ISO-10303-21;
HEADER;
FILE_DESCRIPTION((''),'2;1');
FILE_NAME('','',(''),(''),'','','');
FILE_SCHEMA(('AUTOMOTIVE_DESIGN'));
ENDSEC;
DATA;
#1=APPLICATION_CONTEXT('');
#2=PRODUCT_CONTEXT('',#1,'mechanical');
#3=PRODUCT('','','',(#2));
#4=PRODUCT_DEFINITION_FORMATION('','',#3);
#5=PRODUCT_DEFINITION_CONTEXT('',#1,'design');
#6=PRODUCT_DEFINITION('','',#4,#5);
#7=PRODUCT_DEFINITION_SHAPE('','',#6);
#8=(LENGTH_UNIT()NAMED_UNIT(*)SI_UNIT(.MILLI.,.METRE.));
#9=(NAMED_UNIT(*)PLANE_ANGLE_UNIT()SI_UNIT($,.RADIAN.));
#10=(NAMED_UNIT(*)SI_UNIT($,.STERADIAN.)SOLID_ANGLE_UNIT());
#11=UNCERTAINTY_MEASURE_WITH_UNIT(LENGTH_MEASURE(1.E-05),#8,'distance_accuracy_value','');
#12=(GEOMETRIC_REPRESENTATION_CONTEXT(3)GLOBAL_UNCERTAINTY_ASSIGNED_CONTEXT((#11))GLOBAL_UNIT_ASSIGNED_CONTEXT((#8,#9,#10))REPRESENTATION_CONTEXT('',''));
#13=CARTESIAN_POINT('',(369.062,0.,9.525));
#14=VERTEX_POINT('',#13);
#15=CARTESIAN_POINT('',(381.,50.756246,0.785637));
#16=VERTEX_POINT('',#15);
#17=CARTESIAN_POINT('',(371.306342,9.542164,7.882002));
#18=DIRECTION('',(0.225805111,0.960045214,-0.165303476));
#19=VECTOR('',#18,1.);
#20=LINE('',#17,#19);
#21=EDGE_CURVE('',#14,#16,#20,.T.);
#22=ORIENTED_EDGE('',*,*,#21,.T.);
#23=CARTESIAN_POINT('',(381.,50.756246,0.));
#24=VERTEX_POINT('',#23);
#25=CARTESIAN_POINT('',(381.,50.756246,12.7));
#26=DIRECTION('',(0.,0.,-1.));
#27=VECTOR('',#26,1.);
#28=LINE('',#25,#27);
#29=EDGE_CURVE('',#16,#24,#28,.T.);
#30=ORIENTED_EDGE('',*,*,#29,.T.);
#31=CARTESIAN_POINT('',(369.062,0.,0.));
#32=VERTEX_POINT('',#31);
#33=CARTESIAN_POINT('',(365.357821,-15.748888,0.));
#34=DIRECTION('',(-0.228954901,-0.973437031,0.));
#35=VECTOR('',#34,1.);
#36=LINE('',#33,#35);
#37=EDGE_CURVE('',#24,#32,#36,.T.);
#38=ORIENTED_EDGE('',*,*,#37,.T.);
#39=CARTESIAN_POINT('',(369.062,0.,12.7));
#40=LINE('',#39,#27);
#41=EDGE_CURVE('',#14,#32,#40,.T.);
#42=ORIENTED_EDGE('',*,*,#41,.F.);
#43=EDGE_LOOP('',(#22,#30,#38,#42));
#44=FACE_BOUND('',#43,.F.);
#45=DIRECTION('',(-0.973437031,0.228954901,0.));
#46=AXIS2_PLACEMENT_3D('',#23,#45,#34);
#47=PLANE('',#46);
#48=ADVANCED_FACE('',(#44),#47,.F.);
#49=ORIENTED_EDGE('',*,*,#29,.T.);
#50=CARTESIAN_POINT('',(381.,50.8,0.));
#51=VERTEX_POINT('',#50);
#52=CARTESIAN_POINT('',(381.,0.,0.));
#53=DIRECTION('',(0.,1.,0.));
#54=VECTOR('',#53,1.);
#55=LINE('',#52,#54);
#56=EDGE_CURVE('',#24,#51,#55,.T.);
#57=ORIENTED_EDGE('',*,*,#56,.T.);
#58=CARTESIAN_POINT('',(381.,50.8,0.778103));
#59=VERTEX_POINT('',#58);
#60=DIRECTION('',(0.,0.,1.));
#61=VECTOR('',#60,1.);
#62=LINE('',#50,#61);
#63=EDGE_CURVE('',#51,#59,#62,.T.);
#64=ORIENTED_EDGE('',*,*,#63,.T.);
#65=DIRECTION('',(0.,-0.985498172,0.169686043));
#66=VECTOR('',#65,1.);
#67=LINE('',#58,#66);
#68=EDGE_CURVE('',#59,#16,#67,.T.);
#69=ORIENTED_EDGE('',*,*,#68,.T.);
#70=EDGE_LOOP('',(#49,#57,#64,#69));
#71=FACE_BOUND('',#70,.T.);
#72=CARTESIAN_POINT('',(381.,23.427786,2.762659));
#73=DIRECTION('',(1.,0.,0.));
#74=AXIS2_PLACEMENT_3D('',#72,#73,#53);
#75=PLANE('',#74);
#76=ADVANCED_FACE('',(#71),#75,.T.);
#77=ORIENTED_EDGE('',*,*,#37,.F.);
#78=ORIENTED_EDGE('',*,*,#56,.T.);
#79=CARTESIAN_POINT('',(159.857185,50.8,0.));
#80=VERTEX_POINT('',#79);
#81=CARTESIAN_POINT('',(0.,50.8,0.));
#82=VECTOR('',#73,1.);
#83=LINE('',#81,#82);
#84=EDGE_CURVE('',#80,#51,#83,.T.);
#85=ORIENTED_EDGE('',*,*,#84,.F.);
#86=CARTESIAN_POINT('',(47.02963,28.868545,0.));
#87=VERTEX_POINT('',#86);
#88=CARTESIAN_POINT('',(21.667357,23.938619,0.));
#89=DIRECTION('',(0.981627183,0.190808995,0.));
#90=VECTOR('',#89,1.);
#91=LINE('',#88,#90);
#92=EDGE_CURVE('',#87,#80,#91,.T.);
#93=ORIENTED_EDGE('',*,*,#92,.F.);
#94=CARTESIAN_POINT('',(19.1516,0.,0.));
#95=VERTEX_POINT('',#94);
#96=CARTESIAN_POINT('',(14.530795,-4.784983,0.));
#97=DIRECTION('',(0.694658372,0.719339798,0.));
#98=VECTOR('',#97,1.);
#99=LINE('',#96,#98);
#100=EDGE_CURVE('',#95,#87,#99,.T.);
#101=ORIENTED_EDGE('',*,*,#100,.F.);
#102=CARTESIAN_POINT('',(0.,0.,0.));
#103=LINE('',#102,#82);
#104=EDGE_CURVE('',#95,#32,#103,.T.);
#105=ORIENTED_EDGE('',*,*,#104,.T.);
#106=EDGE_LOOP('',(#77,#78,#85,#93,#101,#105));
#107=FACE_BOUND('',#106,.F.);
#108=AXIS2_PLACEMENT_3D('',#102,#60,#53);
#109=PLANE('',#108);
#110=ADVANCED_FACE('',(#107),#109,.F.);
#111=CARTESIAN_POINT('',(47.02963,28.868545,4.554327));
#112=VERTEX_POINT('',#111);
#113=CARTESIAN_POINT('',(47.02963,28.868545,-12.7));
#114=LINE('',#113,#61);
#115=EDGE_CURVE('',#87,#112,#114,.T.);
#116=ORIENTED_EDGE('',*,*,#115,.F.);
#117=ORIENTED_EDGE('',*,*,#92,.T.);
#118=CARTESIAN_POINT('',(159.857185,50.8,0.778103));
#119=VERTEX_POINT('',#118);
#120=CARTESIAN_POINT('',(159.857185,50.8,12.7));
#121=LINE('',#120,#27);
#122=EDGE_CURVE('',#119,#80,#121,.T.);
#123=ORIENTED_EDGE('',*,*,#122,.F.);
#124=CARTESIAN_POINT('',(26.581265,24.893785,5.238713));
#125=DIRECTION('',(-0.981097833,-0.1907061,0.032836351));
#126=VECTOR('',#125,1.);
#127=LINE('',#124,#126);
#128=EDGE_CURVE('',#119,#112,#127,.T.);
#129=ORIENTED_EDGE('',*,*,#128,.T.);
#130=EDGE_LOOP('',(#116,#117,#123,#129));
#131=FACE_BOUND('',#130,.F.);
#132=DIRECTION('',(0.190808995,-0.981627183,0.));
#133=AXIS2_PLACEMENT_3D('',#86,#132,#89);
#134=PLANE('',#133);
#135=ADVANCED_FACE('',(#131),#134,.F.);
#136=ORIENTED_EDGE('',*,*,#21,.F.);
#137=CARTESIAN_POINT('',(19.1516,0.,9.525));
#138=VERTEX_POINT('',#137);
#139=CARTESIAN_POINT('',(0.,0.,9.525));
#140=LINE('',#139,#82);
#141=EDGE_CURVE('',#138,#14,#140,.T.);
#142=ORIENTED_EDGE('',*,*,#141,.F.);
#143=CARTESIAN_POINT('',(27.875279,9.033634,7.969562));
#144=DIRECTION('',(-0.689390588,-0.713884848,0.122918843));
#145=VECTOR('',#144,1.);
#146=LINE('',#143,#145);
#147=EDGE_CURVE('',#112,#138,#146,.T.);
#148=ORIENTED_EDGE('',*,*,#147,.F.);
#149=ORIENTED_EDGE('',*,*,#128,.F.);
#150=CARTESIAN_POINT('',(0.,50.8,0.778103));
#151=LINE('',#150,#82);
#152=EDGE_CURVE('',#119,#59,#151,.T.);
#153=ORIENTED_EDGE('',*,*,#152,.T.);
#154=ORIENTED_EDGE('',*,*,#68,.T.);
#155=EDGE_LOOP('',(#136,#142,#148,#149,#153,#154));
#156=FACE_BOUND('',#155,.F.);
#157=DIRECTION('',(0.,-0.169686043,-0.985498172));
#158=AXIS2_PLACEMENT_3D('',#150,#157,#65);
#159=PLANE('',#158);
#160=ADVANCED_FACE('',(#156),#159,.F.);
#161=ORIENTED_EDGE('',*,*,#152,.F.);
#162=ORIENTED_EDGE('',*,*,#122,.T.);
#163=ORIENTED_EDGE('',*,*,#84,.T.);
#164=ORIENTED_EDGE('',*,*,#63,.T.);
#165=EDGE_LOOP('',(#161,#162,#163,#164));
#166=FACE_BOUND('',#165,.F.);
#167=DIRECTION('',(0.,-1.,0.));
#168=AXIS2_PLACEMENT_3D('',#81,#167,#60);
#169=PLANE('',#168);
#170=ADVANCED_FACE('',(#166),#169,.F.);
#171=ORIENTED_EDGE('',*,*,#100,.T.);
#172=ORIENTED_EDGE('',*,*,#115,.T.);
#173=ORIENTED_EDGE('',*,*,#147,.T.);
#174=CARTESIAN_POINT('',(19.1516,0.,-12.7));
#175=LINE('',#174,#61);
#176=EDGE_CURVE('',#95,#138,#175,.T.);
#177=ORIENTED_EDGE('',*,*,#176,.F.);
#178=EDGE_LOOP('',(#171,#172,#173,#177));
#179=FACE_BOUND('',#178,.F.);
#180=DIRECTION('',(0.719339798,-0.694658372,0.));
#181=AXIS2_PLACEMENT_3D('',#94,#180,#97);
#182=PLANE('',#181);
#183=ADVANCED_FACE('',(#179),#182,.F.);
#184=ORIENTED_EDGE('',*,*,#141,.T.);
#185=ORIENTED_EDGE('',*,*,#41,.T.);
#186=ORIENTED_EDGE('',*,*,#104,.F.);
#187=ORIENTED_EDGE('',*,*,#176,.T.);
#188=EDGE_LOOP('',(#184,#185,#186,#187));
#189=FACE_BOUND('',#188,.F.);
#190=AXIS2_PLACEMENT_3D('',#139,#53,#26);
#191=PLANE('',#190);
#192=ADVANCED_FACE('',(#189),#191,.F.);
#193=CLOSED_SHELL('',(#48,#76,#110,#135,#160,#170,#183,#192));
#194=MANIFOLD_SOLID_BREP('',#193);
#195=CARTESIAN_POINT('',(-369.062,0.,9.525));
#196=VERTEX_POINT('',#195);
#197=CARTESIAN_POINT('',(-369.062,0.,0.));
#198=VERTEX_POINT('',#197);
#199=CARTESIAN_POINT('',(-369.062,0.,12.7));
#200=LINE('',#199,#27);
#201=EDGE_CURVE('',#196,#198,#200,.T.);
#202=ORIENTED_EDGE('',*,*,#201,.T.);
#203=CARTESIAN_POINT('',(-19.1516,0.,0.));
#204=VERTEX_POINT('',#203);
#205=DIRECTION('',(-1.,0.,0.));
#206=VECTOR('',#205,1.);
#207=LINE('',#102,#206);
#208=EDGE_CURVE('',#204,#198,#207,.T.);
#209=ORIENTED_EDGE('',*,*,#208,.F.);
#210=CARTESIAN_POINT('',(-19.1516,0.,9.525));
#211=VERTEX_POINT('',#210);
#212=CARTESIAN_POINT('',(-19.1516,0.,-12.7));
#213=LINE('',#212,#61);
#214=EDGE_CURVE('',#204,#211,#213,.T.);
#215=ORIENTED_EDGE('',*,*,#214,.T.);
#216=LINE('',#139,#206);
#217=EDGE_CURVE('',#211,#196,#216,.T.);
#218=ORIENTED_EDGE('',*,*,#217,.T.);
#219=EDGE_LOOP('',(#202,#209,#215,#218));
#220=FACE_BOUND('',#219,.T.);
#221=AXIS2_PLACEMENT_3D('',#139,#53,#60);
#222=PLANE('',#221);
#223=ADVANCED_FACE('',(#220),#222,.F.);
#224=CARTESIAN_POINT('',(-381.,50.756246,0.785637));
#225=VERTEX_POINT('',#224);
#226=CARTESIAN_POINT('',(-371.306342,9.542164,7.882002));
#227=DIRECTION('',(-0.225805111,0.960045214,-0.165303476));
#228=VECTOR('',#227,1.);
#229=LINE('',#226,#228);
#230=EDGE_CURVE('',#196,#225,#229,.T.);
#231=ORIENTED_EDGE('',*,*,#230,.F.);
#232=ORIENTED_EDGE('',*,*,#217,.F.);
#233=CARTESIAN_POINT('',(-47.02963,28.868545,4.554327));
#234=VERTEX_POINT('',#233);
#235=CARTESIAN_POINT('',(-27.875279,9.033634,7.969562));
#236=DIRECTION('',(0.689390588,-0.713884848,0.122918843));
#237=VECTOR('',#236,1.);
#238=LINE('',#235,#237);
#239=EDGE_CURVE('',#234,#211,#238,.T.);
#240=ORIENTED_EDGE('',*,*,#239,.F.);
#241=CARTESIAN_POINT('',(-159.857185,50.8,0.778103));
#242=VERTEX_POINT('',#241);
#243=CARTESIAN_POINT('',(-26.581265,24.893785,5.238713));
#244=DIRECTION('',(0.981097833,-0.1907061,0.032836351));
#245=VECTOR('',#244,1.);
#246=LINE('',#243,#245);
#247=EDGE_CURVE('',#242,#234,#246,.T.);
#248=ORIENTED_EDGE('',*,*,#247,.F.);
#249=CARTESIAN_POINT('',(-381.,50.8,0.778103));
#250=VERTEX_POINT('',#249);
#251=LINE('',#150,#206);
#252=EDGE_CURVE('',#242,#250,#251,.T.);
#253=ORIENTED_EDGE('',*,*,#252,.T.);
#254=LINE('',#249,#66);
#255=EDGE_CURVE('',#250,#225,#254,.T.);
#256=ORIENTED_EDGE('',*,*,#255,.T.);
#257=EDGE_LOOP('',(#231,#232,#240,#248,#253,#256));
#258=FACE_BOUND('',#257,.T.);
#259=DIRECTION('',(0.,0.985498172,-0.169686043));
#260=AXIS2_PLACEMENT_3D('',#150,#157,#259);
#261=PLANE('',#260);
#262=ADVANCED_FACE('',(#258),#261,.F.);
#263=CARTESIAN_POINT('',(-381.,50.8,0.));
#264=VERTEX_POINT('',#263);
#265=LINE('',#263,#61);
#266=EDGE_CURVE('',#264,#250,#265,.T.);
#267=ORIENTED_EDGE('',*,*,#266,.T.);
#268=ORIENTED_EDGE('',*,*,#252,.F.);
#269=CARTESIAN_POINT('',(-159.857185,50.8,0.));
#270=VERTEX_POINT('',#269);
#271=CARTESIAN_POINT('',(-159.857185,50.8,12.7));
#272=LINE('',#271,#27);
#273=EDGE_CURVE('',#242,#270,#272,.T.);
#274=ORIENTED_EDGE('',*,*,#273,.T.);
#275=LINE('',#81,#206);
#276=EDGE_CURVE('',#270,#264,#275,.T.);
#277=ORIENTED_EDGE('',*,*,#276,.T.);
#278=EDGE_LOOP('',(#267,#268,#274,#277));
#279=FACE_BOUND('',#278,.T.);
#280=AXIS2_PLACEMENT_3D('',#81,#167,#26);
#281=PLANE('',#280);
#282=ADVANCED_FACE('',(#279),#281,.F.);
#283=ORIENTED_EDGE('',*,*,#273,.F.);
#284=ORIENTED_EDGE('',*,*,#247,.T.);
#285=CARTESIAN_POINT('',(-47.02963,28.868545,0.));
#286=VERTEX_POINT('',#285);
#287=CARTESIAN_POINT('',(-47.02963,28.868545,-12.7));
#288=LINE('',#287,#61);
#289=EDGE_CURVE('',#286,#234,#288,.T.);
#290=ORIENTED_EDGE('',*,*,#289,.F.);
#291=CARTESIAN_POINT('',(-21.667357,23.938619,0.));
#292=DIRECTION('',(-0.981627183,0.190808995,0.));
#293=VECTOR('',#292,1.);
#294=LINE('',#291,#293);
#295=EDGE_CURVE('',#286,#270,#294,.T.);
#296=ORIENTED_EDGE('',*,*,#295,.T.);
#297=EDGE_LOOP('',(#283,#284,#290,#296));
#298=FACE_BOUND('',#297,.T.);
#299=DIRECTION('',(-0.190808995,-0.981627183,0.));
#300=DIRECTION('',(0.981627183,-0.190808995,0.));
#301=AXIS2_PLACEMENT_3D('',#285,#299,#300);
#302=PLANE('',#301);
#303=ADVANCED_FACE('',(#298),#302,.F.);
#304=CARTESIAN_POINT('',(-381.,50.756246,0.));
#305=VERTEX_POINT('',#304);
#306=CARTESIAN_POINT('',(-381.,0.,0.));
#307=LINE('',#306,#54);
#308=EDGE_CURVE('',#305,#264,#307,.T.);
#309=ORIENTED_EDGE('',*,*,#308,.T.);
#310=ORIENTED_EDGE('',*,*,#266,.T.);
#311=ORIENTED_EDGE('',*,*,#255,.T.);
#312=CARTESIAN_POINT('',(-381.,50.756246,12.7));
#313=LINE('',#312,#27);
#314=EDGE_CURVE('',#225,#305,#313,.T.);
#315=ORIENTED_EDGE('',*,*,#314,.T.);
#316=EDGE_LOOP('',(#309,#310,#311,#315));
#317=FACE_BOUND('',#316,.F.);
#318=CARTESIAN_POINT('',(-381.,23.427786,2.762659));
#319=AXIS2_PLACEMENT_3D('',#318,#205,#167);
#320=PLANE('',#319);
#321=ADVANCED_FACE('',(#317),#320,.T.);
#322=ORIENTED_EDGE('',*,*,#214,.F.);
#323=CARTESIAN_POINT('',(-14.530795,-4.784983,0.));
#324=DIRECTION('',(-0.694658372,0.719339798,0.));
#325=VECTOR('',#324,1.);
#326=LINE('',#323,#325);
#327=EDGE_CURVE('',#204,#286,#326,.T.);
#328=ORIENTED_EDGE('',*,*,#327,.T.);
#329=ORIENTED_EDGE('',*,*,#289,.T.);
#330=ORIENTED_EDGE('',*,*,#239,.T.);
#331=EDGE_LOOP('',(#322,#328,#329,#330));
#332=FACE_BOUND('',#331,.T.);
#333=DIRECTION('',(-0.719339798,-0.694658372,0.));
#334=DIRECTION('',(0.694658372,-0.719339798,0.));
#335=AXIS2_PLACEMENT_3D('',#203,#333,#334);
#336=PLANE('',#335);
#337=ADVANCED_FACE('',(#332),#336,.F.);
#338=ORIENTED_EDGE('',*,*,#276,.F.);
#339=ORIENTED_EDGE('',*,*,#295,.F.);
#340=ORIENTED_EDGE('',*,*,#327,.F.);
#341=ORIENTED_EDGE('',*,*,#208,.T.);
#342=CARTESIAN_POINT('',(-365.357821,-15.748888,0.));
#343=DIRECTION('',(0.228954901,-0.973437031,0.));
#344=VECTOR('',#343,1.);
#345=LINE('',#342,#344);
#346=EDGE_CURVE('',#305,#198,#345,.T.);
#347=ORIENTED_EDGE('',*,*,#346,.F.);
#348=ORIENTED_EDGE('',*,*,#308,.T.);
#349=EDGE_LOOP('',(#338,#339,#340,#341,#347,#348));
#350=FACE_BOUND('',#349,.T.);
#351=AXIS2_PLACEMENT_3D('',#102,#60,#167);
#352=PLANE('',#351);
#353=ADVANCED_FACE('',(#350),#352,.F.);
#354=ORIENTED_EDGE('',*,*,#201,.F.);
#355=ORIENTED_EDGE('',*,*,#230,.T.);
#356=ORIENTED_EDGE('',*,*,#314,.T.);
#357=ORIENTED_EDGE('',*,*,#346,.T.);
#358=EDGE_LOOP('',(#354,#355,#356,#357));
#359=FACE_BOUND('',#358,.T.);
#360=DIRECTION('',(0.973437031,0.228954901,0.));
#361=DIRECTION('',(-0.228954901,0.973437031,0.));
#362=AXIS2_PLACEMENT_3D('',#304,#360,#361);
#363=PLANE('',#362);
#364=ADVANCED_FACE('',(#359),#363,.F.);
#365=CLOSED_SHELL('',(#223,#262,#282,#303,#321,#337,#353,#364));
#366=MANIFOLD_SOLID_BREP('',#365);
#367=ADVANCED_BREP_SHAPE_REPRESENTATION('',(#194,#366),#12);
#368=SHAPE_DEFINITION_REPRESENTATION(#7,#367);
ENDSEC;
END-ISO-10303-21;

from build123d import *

# Parameters (mm, degrees)
F1_DEPTH = 381
F3_DEPTH = 12.7
F5_DEPTH = 12.7


with BuildPart() as f1:
    # F0 (on Right) → F1 (new body)
    with BuildSketch(Plane.YZ):
        Polygon((0, 9.525), (0, 0), (50.8, 0), (50.8, 0.778103), align=None)
    extrude(amount=F1_DEPTH)

    # F2 (on Top) → F3 (cut, symmetric)
    with BuildSketch(Plane.XY):
        Polygon((369.062, 0), (381, 0), (381, 50.756246), align=None)
    extrude(amount=F3_DEPTH, both=True, mode=Mode.SUBTRACT)

    # F4 (on Top) → F5 (cut, symmetric)
    with BuildSketch(Plane.XY):
        Polygon((0, 0), (19.1516, 0), (47.02963, 28.868545), (159.857185, 50.8), (0, 50.8), align=None)
    extrude(amount=F5_DEPTH, both=True, mode=Mode.SUBTRACT)


with BuildPart() as f6_1:
    # F6: instance of F1
    add(f1.part.mirror(Plane.YZ))


solid = Compound([f1.part, f6_1.part])
